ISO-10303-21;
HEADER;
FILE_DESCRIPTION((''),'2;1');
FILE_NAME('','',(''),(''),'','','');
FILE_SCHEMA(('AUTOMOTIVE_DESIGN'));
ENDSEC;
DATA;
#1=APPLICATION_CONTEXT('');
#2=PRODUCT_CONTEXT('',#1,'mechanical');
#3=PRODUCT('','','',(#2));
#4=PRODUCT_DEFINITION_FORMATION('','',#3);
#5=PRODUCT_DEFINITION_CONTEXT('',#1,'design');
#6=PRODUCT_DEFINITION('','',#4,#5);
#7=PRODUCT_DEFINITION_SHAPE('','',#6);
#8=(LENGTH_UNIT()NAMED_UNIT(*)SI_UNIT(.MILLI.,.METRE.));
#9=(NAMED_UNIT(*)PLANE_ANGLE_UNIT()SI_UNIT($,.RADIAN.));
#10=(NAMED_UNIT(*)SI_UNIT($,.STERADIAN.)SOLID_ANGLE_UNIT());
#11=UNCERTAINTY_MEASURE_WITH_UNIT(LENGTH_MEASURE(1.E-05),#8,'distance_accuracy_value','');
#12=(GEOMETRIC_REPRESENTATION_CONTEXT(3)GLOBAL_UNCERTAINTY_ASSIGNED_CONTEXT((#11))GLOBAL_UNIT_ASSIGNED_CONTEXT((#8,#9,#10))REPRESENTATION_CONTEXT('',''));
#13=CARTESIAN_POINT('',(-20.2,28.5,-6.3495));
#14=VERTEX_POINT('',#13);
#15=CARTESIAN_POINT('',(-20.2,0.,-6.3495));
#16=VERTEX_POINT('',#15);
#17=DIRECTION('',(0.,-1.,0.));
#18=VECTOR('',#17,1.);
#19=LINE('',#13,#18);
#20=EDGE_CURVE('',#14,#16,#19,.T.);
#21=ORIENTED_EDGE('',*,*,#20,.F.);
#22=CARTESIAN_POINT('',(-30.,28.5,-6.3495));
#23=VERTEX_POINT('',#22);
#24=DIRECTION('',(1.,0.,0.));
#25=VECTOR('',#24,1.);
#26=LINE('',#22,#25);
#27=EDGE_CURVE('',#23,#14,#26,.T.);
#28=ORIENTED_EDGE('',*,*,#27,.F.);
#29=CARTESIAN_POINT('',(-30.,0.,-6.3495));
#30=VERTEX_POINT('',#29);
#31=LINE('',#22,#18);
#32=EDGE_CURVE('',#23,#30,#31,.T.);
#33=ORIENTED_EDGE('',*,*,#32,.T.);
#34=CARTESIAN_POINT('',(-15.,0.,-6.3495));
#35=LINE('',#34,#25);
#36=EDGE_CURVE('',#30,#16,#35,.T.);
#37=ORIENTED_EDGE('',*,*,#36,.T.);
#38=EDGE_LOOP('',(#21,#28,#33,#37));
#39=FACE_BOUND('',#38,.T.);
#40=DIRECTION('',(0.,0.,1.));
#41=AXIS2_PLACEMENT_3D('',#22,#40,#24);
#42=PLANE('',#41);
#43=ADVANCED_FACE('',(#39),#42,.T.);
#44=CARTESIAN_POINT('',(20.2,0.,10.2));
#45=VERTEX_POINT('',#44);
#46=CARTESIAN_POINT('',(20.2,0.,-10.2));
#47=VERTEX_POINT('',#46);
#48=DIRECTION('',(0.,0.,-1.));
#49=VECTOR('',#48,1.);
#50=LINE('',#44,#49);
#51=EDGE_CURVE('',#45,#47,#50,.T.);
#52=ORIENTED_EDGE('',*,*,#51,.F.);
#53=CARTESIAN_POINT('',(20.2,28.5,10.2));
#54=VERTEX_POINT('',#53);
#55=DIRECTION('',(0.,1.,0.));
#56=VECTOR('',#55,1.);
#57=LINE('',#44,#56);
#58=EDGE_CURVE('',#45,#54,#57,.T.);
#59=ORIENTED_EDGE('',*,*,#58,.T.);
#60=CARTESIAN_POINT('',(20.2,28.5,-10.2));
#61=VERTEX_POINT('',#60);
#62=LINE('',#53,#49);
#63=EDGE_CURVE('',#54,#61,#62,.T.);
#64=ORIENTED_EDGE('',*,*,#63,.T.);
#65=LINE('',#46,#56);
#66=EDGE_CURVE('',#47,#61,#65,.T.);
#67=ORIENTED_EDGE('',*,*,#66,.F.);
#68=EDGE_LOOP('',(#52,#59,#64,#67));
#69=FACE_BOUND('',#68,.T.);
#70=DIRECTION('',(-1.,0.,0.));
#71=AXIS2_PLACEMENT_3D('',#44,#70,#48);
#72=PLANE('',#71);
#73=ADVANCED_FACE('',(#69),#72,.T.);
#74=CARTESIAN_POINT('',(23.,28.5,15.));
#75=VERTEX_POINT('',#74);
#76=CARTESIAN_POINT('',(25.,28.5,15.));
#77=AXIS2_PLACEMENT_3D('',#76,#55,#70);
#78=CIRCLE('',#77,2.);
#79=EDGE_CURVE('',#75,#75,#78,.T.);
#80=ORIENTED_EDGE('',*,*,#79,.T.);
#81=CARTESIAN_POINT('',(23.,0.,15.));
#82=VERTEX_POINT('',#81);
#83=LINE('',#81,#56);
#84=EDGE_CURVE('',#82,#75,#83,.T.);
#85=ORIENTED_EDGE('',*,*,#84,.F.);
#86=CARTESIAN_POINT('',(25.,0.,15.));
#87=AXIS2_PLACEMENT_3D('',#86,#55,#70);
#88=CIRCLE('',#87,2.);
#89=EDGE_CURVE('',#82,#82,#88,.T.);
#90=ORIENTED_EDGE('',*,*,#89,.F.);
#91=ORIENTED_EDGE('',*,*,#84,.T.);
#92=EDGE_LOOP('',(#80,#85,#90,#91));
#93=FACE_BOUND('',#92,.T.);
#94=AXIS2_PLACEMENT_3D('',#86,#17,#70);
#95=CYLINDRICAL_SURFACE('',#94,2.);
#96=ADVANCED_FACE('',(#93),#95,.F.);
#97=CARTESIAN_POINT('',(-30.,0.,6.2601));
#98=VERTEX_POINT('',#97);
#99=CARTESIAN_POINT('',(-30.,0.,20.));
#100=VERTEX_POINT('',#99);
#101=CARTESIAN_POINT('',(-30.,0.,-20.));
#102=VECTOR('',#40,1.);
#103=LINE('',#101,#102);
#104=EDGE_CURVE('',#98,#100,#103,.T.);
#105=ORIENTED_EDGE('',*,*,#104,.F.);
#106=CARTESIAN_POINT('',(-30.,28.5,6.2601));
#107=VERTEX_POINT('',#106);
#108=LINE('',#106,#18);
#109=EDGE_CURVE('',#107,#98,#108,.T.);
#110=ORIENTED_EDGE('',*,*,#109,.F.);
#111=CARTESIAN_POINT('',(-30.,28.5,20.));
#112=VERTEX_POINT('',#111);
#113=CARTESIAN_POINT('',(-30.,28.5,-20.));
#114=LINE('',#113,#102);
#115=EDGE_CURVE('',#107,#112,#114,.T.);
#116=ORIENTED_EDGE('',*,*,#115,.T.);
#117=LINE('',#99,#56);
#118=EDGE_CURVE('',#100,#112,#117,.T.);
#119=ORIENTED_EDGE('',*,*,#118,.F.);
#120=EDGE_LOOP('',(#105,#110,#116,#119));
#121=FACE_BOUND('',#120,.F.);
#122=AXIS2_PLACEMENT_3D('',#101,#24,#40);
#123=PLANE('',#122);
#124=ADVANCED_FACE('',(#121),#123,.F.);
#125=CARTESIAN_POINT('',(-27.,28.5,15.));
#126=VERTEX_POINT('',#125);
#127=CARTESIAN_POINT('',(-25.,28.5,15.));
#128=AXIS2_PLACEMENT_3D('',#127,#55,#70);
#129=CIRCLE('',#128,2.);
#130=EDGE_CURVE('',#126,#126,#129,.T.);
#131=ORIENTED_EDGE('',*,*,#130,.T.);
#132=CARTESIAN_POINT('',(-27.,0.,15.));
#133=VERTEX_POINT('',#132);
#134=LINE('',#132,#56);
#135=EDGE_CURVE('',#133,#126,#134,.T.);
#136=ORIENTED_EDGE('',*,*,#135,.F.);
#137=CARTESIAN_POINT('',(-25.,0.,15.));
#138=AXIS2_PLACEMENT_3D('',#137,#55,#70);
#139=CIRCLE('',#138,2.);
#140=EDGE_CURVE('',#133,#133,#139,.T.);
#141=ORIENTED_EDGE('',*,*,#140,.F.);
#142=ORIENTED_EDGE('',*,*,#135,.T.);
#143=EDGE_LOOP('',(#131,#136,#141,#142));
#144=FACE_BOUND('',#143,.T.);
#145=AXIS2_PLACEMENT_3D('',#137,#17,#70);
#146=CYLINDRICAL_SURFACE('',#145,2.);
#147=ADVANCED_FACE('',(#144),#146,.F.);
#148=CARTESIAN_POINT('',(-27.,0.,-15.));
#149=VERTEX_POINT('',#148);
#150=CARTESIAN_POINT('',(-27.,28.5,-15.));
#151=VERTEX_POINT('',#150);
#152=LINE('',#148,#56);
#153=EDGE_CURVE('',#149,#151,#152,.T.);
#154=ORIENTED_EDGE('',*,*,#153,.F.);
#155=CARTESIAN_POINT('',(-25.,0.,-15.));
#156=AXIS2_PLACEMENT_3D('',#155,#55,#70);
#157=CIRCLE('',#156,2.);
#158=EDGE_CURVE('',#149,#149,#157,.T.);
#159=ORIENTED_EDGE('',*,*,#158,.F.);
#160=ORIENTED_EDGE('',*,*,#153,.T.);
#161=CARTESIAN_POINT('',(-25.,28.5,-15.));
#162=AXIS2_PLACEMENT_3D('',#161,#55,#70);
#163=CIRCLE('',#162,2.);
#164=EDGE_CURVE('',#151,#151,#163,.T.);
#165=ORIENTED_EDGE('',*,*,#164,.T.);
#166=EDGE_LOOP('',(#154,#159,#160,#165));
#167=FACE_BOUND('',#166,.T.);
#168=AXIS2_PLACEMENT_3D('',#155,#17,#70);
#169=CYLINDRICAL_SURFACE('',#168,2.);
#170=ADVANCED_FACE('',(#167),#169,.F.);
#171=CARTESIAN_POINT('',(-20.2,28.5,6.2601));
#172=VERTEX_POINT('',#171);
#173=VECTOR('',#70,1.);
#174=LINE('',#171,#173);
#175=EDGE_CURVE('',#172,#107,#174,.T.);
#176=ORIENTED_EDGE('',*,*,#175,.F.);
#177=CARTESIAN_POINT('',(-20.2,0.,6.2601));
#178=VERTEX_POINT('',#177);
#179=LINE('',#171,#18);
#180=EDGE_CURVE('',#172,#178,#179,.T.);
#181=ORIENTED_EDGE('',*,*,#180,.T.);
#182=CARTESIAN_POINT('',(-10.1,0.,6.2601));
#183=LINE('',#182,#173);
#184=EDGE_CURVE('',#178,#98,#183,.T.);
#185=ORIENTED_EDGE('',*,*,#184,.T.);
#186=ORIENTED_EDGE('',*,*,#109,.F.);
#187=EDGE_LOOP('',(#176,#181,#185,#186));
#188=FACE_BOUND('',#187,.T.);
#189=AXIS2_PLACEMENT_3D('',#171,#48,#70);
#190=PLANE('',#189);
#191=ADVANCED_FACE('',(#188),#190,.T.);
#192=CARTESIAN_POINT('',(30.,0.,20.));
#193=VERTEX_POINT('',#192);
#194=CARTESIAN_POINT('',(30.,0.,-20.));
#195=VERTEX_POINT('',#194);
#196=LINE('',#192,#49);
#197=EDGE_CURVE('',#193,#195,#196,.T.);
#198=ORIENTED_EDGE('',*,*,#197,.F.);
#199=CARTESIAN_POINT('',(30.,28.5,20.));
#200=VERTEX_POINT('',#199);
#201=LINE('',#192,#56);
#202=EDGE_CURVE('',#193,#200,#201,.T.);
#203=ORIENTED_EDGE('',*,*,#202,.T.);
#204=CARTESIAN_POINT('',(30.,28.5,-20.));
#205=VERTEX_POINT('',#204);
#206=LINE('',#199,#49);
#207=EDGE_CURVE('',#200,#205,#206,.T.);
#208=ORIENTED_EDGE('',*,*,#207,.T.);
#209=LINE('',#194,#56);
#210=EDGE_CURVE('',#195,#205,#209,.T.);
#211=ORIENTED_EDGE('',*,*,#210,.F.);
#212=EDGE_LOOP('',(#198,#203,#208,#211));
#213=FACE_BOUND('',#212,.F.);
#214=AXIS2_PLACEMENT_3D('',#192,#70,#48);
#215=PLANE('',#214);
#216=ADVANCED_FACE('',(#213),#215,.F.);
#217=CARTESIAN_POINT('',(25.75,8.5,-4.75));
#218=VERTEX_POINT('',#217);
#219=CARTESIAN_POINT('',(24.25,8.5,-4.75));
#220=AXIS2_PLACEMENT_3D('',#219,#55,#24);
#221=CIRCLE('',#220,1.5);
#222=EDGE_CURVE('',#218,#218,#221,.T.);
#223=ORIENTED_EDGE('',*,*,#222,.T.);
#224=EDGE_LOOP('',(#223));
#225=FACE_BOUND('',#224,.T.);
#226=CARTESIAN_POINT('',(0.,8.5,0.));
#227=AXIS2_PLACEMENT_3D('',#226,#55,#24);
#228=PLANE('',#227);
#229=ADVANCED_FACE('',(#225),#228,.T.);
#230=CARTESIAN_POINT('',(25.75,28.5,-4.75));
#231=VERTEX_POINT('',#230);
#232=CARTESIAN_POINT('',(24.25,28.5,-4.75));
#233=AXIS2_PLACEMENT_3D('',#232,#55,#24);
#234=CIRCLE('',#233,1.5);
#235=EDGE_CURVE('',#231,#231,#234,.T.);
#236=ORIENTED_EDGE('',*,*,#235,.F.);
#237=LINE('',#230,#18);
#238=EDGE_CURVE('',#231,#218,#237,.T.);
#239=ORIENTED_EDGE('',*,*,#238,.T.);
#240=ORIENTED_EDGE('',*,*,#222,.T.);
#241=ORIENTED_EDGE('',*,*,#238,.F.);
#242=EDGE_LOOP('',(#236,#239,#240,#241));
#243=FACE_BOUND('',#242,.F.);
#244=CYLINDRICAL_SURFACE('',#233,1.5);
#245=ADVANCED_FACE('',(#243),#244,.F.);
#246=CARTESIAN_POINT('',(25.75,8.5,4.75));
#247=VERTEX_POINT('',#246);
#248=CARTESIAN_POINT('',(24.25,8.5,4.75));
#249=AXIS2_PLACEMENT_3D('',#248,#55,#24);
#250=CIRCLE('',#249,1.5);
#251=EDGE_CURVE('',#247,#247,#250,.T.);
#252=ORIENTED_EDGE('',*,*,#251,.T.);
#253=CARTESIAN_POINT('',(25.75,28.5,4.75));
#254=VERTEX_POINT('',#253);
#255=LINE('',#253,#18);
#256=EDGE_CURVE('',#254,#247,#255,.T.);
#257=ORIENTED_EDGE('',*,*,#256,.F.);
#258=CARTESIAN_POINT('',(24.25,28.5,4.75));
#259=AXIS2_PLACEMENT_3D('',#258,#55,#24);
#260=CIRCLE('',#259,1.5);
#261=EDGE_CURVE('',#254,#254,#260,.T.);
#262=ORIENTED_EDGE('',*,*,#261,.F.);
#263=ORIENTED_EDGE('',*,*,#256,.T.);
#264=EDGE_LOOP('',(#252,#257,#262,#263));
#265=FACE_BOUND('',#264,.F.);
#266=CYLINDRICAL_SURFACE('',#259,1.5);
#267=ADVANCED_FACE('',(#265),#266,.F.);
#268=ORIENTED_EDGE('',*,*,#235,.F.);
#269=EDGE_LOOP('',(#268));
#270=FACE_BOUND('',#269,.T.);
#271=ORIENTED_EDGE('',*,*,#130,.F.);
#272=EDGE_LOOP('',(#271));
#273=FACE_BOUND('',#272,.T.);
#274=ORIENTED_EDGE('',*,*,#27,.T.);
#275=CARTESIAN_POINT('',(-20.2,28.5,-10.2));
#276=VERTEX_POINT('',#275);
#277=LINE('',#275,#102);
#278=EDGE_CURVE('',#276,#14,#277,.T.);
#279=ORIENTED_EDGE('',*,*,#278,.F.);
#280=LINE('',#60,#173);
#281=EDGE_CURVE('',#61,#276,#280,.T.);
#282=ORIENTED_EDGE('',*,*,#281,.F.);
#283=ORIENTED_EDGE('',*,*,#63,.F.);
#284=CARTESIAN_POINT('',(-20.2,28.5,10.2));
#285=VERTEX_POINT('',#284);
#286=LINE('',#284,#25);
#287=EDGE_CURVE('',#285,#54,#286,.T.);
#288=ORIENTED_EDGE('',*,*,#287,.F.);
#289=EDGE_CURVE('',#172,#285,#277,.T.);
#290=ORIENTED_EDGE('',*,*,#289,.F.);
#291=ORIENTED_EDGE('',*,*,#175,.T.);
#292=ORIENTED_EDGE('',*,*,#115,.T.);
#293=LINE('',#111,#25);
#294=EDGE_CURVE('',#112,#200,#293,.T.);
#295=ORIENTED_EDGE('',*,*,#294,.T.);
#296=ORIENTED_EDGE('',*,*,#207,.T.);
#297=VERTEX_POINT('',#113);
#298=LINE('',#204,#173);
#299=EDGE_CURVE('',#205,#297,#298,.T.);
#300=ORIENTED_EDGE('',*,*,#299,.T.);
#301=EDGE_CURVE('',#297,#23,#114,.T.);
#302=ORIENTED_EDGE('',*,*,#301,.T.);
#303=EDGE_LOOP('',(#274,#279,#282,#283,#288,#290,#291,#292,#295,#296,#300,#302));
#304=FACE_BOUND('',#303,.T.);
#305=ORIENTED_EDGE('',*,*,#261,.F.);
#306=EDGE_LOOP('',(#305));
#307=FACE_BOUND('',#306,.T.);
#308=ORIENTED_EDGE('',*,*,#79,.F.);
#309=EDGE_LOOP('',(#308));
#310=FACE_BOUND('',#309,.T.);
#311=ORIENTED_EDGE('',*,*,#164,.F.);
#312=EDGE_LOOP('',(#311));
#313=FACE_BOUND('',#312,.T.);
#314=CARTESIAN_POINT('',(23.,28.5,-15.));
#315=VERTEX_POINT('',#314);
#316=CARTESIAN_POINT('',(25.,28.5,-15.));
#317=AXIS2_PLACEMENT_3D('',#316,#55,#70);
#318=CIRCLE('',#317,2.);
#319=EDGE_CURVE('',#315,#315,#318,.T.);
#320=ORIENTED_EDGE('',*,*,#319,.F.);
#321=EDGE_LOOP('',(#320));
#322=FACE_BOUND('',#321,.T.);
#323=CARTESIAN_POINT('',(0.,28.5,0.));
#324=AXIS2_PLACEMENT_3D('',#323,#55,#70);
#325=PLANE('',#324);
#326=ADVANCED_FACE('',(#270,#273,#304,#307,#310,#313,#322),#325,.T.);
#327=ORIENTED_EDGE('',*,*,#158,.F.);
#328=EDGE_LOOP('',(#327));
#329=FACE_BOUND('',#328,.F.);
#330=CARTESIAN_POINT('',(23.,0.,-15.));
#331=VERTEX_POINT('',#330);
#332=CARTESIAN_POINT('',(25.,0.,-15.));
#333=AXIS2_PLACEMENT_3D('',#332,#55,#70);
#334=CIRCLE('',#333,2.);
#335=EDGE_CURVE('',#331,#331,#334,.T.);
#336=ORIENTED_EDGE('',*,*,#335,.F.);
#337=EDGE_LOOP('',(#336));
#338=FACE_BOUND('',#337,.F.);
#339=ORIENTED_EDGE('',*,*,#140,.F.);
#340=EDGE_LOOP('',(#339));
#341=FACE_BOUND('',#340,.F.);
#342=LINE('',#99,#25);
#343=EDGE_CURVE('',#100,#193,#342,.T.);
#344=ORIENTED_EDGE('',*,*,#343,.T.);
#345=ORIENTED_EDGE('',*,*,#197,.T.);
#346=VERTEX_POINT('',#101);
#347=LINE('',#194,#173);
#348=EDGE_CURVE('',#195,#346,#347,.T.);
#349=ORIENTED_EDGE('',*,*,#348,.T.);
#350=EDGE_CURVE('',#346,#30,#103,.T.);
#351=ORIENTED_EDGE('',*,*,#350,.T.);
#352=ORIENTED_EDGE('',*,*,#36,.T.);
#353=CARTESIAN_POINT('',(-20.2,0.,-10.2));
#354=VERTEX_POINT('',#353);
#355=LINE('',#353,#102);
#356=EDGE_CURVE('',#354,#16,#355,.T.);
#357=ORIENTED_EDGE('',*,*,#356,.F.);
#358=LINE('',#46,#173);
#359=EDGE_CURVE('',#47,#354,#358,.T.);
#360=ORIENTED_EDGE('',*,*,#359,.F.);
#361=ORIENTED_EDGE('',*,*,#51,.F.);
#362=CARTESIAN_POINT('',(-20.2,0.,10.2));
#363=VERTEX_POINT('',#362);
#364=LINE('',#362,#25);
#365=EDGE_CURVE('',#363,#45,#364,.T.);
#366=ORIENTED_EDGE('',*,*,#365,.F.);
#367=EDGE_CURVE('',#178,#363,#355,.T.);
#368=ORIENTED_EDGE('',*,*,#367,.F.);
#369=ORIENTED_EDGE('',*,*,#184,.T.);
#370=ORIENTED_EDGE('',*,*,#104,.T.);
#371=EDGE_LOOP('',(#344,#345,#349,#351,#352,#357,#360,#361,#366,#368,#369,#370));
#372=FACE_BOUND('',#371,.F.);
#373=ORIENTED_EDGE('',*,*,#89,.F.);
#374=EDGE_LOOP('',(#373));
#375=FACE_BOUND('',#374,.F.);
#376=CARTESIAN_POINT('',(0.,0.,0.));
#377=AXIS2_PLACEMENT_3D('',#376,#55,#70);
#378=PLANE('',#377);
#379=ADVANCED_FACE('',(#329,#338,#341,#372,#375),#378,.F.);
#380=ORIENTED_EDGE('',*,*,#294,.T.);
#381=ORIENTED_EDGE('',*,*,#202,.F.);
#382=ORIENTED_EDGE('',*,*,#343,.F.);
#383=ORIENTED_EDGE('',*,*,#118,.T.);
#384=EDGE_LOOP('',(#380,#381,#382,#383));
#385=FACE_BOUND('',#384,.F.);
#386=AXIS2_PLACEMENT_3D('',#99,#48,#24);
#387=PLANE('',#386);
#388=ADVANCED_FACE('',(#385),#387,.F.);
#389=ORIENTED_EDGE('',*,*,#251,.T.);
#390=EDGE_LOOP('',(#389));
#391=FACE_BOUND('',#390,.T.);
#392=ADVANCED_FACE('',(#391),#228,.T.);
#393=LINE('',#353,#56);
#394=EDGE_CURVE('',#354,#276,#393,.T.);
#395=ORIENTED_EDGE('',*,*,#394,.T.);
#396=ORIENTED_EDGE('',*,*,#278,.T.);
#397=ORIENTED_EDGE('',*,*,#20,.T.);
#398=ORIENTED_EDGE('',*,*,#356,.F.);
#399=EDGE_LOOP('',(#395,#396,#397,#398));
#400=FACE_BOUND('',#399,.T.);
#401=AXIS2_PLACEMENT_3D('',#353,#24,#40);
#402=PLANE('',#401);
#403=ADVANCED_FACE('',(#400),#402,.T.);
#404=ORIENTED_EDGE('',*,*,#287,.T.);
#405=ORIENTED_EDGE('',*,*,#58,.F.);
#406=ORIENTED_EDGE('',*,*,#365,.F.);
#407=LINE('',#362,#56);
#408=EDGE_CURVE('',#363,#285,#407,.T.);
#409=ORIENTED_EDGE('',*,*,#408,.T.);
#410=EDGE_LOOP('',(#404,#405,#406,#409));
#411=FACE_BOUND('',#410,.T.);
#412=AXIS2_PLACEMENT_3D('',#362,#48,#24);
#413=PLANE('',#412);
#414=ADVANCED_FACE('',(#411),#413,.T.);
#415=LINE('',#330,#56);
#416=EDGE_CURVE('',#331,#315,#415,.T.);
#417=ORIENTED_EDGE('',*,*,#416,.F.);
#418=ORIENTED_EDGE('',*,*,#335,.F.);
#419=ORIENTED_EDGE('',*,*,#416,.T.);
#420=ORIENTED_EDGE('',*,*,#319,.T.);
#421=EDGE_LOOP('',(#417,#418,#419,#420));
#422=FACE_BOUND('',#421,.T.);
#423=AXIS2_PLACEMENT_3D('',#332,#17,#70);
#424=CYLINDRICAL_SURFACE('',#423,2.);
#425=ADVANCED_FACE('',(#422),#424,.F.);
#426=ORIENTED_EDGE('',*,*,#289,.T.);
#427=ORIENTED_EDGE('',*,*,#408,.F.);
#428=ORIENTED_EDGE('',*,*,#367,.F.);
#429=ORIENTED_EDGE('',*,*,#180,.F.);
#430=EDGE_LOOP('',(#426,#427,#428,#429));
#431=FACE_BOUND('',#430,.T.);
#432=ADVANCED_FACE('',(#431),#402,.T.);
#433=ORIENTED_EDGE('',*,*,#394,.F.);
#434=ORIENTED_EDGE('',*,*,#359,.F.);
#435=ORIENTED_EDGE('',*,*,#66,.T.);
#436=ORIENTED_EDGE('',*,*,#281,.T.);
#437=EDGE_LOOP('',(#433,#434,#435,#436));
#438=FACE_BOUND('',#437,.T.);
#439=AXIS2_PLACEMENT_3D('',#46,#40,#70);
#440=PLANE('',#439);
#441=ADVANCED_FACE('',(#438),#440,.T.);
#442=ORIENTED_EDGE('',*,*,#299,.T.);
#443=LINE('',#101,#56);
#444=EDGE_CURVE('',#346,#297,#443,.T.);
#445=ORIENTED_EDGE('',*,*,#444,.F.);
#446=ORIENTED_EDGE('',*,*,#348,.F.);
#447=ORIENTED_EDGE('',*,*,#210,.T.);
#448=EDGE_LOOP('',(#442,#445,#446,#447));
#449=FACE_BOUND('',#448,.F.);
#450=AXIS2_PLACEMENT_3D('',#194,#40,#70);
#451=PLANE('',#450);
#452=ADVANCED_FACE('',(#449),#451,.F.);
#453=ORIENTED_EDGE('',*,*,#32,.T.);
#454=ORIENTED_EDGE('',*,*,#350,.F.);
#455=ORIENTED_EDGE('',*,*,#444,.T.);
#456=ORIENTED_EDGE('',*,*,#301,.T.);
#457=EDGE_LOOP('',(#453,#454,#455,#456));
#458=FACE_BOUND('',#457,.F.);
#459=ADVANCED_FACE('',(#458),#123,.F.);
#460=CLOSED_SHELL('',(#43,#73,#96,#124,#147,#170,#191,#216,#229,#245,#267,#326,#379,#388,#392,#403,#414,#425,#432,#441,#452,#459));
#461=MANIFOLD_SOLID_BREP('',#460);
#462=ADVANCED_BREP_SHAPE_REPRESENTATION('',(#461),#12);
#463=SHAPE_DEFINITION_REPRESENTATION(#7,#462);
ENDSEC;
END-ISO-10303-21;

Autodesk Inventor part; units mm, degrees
ref_plane "YZ Plane" through (0, 0, 0) normal (1, 0, 0) x (0, 1, 0)
ref_plane "XZ Plane" through (0, 0, 0) normal (0, 1, 0) x (-1, 0, 0)
ref_plane "XY Plane" through (0, 0, 0) normal (0, 0, 1) x (1, 0, 0)
sketch "Sketch1" plane through (0, 0, 0) normal (0, 1, 0) x (-1, 0, 0)
  line L0 (-20.2, -10.2) -> (20.2, -10.2)
  line L1 (20.2, -10.2) -> (20.2, 10.2)
  line L2 (20.2, 10.2) -> (-20.2, 10.2)
  line L3 (-20.2, 10.2) -> (-20.2, -10.2)
  line L4 (-20.2, -10.2) -> (20.2, 10.2) construction
  line L5 (20.2, -10.2) -> (-20.2, 10.2) construction
  line L6 (-30, -20) -> (30, -20)
  line L7 (30, -20) -> (30, 20)
  line L8 (30, 20) -> (-30, 20)
  line L9 (-30, 20) -> (-30, -20)
  line L10 (-30, -20) -> (30, 20) construction
  line L11 (30, -20) -> (-30, 20) construction
  circle A0 centre (25, 15) radius 2
  circle A1 centre (25, -15) radius 2
  circle A2 centre (-25, 15) radius 2
  circle A3 centre (-25, -15) radius 2
  point P0 (0, 0)
  dimension "d0" = 20.4
  dimension "d1" = 40.4
  dimension "d2" = 60
  dimension "d3" = 40
  dimension "d4" = 4
  dimension "d5" = 4
  dimension "d7" = 4
  dimension "d8" = 5
  dimension "d9" = 5
  dimension "d10" = 5
  dimension "d11" = 5
  dimension "d13" = 4
  dimension "d14" = 5
  dimension "d15" = 5
  dimension "d16" = 5
  dimension "d17" = 5
extrude "Extrusion1" add sketch "Sketch1" along normal blind 28.5
sketch "Sketch2" plane through (0, 28.5, 0) normal (0, 1, 0) x (1, 0, 0)
  circle A0 centre (-24.25, -4.75) radius 1.5
  circle A1 centre (-24.25, 4.75) radius 1.5
  circle A2 centre (24.25, -4.75) radius 1.5
  circle A3 centre (24.25, 4.75) radius 1.5
  line L0 (20.2, 10.2) -> (20.2, -10.2) projected
  point P0 (0, 0)
  point P1 (20.2, 0)
  dimension "d20" = 3
  dimension "d21" = 3
  dimension "d22" = 3
  dimension "d23" = 3
  dimension "d24" = 48.5
  dimension "d25" = 24.25
  dimension "d26" = 48.5
  dimension "d27" = 24.25
  dimension "d28" = 9.5
  dimension "d29" = 4.75
  dimension "d30" = 9.5
  dimension "d31" = 4.75
extrude "Extrusion2" cut sketch "Sketch2" against normal blind 20
sketch "Sketch3" plane through (0, 28.5, 0) normal (0, 1, 0) x (1, 0, 0)
  line L0 (-30, 20) -> (-30, -20) projected
  line L1 (-20.2, -10.2) -> (-20.2, 10.2) projected
  line L2 (-30, 6.3495) -> (-20.2, 6.3495)
  line L3 (-20.2, 6.3495) -> (-20.2, -6.2601)
  line L4 (-20.2, -6.2601) -> (-30, -6.2601)
  line L5 (-30, -6.2601) -> (-30, 6.3495)
  point P0 (0, 0)
  point P1 (-20.2, 6.3495)
extrude "Extrusion3" cut sketch "Sketch3" against normal through all
properties part number "Servoholder"
